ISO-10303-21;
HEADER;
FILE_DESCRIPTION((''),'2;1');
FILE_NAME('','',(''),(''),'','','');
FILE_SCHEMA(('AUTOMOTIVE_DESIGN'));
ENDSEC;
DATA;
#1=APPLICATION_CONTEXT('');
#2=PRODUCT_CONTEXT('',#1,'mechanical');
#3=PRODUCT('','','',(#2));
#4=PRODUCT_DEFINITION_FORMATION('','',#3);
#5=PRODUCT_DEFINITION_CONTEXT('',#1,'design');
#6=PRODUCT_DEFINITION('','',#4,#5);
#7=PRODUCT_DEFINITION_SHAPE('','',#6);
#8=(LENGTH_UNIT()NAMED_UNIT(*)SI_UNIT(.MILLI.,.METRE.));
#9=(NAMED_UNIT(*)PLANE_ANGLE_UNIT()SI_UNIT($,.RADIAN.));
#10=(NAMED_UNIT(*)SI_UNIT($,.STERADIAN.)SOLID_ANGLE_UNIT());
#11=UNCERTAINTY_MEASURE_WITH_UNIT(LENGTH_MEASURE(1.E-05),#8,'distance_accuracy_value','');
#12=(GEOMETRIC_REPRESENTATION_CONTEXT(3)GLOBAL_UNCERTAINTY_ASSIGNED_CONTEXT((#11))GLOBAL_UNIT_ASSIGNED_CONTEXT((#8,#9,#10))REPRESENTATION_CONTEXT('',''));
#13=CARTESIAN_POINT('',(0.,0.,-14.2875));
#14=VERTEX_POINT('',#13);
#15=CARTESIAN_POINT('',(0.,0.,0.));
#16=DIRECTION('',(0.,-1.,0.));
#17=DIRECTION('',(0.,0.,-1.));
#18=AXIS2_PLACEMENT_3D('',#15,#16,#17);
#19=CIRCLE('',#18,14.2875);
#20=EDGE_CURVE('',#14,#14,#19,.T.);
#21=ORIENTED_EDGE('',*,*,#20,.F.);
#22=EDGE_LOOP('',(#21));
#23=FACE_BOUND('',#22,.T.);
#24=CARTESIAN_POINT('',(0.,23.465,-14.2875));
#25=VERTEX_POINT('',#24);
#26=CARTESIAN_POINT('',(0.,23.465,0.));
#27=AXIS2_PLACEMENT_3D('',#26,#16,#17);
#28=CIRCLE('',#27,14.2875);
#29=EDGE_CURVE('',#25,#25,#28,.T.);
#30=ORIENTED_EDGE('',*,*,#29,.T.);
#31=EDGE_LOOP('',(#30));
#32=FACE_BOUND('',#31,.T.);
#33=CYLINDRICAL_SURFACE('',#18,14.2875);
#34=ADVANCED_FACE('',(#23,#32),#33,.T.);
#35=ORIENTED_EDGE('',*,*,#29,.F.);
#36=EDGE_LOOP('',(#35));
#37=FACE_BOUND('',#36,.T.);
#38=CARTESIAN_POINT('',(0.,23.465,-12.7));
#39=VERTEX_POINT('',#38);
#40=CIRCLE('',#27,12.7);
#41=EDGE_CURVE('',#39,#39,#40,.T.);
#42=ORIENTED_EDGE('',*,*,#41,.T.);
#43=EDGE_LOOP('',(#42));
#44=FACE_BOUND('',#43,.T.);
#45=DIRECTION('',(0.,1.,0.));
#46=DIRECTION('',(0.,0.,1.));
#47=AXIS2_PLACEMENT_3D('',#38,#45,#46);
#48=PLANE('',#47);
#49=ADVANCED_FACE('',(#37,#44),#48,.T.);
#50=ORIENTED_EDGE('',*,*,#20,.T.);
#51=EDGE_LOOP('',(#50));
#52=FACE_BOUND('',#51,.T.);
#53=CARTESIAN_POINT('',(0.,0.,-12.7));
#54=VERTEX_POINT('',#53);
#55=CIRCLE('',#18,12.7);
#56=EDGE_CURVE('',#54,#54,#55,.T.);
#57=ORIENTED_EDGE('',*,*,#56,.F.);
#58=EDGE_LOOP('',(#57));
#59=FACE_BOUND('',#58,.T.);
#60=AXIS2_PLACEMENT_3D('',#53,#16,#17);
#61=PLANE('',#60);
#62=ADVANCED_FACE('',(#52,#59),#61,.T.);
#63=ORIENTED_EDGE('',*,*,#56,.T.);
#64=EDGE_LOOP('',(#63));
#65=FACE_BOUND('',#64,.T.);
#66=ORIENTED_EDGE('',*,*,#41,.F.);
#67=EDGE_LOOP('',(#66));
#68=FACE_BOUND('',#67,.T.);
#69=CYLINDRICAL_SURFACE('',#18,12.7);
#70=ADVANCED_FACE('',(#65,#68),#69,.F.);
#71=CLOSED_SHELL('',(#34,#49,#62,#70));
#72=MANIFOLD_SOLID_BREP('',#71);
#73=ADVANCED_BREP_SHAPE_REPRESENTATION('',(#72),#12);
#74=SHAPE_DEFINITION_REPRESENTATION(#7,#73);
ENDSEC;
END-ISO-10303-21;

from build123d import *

# Parameters (mm, degrees)
SKETCH1_W = 1.5875
SKETCH1_H = 23.46500006


with BuildPart() as part:
    # Sketch1 → Revolve1 (revolve)
    with BuildSketch(Plane(origin=(0, 0, 0), x_dir=(0, 0, -1), z_dir=(1, 0, 0))):
        with Locations((13.49375, 11.73250003)):
            Rectangle(SKETCH1_W, SKETCH1_H)
    revolve(axis=Axis((0, 0, 0), (0, 1, 0)))


solid = part.part
